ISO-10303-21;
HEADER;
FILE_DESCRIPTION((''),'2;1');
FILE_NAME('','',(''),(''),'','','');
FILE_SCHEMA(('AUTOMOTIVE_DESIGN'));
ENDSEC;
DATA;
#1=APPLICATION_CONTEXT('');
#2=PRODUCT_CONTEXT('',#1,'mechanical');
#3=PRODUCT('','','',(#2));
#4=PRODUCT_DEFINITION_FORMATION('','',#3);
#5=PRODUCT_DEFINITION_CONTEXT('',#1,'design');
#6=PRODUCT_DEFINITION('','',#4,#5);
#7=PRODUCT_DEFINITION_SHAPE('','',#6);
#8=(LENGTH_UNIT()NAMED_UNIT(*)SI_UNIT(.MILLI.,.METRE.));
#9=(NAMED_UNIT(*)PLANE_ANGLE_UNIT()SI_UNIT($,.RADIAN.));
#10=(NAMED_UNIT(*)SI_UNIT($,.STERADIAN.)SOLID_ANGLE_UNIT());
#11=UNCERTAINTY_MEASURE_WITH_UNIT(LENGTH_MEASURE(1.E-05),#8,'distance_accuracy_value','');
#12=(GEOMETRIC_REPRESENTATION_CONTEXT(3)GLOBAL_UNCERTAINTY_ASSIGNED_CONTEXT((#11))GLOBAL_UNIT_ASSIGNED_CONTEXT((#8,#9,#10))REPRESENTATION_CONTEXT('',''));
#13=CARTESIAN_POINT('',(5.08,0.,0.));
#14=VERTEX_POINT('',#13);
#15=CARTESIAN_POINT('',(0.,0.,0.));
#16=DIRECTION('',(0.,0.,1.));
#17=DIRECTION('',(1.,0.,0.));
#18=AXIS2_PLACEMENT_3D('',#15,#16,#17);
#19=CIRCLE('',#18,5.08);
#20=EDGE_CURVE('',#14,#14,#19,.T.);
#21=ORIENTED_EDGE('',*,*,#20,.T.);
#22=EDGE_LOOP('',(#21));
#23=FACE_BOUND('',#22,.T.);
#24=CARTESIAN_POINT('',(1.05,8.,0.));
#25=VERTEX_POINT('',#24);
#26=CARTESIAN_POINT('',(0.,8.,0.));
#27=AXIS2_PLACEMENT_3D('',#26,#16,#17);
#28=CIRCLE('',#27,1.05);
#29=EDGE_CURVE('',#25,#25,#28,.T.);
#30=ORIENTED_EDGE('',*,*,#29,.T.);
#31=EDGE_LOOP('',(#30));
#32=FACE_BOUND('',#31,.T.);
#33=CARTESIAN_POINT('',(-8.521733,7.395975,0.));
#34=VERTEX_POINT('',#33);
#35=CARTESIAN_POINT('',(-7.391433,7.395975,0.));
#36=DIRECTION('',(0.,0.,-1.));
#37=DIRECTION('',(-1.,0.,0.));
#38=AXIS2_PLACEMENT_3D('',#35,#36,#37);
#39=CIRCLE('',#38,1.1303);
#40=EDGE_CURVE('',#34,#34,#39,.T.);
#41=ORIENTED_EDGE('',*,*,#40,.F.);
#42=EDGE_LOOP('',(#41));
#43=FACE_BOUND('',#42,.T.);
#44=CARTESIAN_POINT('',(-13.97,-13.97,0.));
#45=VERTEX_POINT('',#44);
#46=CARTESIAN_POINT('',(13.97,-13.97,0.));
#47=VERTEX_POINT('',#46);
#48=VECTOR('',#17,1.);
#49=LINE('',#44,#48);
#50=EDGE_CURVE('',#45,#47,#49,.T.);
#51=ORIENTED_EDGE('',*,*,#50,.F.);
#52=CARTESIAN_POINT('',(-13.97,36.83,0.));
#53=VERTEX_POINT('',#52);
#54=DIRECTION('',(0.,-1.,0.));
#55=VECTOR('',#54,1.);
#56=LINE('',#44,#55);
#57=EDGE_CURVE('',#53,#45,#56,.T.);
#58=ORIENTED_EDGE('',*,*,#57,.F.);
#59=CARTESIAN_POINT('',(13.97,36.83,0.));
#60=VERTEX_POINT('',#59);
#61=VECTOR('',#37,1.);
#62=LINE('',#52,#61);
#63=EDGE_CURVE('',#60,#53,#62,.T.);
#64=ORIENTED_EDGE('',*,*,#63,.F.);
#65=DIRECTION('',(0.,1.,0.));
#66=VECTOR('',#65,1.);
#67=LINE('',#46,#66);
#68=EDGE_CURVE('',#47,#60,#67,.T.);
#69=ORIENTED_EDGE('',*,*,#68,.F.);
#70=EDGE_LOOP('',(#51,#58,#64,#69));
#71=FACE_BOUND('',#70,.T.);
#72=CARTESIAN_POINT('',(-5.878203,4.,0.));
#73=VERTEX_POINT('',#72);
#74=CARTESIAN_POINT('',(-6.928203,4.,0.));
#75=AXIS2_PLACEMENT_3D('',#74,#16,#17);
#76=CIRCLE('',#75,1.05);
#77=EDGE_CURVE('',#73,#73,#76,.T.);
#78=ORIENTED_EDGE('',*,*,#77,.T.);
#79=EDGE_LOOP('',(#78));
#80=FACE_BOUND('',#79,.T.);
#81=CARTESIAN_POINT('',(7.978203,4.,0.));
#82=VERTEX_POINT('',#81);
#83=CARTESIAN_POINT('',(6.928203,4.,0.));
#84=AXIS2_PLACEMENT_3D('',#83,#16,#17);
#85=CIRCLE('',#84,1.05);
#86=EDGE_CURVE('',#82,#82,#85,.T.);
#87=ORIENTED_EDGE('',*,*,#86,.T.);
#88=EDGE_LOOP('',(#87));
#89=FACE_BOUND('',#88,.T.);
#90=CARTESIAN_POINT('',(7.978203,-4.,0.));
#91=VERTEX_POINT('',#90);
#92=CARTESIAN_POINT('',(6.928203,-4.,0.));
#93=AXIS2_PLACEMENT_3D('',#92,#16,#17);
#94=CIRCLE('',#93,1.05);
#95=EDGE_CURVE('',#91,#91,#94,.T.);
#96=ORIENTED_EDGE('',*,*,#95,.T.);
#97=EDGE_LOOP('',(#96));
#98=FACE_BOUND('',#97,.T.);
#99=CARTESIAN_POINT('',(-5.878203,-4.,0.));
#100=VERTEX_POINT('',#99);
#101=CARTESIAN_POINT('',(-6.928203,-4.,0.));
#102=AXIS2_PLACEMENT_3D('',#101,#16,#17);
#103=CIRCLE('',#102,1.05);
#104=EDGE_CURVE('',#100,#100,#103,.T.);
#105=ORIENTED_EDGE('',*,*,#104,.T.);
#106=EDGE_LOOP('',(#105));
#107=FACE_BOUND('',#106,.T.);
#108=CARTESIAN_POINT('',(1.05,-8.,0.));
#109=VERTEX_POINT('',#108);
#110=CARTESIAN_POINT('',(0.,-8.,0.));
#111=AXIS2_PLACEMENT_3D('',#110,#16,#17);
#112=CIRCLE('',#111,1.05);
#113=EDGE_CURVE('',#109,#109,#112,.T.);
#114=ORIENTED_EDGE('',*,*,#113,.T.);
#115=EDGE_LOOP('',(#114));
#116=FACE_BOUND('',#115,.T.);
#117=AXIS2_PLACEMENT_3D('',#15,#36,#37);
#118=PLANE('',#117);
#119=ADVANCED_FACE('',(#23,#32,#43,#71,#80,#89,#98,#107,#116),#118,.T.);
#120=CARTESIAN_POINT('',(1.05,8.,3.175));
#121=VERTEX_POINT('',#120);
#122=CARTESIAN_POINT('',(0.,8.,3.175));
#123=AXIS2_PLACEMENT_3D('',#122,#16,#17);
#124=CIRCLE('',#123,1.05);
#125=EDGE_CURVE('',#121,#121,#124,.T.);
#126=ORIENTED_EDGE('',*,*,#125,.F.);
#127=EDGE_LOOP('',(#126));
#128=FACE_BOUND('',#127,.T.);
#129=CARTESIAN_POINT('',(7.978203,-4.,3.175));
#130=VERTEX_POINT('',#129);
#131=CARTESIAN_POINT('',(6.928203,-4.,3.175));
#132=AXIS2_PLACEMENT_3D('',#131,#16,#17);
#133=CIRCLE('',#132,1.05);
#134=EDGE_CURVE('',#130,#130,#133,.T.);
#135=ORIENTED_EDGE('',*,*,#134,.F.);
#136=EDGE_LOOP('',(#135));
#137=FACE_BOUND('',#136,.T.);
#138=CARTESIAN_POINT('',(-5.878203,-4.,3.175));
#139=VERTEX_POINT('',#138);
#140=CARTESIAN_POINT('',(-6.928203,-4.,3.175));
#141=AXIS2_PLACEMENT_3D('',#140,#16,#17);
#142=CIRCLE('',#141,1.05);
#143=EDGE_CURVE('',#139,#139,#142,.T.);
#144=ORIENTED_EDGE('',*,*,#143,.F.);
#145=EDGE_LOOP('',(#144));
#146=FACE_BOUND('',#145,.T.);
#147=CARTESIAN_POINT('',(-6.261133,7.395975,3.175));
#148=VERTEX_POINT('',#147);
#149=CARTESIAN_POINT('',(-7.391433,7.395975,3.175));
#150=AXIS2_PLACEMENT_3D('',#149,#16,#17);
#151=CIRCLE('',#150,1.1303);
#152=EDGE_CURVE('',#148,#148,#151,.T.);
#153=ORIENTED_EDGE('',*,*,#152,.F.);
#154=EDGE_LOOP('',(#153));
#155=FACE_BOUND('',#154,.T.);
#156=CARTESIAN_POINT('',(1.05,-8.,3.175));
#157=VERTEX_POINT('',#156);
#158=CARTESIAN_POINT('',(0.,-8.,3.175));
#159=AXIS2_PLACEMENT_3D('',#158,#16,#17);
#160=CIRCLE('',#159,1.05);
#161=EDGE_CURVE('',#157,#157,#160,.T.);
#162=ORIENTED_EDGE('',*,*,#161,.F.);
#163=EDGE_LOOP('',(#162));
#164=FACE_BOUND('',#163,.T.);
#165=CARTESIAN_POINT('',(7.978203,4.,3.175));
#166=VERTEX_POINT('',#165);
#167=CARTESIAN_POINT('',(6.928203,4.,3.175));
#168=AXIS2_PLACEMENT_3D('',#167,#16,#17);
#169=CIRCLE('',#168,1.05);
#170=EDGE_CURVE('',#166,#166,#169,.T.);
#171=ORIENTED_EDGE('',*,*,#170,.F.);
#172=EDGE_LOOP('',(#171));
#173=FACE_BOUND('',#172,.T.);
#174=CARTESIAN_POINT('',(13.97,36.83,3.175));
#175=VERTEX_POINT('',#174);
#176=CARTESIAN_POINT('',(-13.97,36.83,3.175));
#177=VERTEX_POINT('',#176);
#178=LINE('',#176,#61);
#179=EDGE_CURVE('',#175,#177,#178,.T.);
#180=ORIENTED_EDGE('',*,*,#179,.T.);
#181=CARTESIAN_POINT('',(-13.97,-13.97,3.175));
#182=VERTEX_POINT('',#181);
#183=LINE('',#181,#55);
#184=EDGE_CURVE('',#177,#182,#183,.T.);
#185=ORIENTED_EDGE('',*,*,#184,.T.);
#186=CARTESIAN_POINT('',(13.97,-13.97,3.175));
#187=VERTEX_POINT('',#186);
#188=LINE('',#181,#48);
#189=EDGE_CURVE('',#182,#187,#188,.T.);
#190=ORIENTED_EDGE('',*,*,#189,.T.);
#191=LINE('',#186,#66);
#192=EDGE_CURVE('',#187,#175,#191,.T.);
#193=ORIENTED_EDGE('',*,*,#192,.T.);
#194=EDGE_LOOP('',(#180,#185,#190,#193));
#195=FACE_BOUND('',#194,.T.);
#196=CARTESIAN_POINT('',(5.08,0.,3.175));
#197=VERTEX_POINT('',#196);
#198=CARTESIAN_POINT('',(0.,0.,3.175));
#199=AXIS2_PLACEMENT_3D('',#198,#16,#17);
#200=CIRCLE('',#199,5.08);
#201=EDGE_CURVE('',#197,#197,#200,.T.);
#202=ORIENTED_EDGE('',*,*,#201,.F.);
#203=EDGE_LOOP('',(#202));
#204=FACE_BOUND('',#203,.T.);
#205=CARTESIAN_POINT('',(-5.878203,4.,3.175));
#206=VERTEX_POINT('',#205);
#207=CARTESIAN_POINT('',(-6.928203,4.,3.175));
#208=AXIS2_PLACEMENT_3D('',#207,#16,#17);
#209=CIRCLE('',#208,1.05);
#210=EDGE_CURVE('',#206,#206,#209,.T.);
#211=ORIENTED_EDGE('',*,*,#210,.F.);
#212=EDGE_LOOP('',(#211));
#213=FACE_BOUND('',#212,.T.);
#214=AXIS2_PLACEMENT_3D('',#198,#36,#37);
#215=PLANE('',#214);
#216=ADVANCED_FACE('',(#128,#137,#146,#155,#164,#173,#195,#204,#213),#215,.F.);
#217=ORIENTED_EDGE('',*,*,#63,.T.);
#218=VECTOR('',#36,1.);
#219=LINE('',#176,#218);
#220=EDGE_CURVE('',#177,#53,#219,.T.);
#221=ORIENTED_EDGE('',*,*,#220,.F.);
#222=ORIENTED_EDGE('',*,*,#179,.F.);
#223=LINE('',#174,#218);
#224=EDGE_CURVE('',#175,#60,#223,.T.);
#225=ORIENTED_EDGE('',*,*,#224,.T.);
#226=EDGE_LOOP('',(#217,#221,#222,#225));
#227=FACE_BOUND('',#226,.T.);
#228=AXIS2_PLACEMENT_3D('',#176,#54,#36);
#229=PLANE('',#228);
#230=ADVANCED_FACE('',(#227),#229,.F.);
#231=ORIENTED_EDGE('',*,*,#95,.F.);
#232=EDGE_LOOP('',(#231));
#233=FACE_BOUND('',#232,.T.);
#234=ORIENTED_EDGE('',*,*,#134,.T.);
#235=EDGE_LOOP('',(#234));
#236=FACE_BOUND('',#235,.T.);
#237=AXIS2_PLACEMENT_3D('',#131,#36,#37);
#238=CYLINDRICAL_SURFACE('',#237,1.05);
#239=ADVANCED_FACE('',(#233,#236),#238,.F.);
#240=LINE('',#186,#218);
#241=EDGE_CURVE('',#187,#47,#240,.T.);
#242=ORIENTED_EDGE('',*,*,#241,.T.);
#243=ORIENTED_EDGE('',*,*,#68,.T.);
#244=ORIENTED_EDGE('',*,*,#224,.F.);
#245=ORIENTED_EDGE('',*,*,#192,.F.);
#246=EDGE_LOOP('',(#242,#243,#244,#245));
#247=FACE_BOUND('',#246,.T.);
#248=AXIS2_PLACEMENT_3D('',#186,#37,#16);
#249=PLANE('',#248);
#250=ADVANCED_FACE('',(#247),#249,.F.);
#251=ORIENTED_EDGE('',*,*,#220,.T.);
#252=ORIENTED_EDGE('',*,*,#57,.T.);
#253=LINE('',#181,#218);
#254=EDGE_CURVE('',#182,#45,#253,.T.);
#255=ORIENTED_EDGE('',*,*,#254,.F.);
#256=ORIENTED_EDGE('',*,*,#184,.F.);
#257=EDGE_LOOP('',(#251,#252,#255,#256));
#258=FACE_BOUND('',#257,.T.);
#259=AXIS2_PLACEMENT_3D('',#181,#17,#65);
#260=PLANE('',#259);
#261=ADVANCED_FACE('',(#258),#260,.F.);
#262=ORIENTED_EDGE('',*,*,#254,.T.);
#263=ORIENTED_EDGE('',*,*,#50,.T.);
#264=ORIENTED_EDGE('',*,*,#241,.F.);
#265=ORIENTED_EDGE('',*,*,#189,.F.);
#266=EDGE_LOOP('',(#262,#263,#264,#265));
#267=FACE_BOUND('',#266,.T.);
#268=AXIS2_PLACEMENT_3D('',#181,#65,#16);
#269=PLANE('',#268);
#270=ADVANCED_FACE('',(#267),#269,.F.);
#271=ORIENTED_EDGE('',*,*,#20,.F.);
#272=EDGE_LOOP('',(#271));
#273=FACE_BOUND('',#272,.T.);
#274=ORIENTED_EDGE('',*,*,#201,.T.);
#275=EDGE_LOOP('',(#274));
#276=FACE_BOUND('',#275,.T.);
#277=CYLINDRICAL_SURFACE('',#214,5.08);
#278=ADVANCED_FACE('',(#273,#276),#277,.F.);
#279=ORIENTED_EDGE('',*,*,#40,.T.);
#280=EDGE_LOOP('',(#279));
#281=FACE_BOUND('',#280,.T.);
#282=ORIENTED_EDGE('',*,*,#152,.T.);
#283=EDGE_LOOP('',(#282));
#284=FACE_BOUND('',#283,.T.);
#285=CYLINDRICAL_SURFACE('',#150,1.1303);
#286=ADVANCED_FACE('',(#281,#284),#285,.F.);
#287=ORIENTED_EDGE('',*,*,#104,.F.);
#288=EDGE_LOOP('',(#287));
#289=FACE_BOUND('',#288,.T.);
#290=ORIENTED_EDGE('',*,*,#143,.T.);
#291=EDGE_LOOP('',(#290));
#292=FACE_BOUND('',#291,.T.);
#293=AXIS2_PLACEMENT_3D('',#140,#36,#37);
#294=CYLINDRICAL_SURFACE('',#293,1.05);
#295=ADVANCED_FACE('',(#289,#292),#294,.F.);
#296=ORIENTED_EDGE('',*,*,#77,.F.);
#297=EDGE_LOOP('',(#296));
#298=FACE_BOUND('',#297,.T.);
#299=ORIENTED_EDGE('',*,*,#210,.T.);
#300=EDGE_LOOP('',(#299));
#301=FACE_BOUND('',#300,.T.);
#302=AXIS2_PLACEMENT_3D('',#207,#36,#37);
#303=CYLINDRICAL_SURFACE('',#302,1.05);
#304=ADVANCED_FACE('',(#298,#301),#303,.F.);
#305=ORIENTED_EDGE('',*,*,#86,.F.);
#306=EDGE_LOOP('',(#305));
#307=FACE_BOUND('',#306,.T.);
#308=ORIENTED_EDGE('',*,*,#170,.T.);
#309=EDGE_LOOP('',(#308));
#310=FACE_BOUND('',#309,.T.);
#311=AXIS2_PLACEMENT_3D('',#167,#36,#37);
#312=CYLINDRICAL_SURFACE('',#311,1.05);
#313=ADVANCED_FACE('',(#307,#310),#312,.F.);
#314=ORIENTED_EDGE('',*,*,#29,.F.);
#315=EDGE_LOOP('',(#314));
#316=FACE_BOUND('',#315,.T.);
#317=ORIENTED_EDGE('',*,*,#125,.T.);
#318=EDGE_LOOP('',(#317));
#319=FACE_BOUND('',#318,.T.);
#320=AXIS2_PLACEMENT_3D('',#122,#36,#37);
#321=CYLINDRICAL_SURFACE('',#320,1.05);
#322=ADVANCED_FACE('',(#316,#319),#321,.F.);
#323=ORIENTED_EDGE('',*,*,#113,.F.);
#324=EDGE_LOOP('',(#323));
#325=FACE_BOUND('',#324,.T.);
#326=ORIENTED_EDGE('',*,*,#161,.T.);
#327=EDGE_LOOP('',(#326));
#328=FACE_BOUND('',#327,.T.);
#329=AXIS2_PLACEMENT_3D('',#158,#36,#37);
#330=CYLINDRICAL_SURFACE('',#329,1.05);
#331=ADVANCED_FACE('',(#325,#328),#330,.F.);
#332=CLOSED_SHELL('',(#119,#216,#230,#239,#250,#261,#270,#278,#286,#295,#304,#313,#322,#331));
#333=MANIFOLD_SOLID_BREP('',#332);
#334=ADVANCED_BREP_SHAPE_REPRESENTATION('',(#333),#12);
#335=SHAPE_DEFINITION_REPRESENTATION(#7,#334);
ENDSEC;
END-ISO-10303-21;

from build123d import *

# Parameters (mm, degrees)
MODEL_W                         = 27.94
MODEL_H                         = 50.8
MODEL_R                         = 1.05
MODEL_R_2                       = 5.08
BOSS_EXTRUDE1_DEPTH             = 3.175
F_43_0_089_DIAMETER_HOLE1_D     = 2.2606
F_43_0_089_DIAMETER_HOLE1_DEPTH = 25.4
F_43_0_089_DIAMETER_HOLE1_TIP   = 0.679152758


with BuildPart() as part:
    # Model → Boss-Extrude1 (new body)
    with BuildSketch(Plane.XY):
        with Locations((0, 11.43)):
            Rectangle(MODEL_W, MODEL_H)
        with Locations((-6.92820323, 4.000000001)):
            Circle(MODEL_R, mode=Mode.SUBTRACT)
        with Locations((-6.92820323, -4.000000001)):
            Circle(MODEL_R, mode=Mode.SUBTRACT)
        with Locations((0, -7.999999999)):
            Circle(MODEL_R, mode=Mode.SUBTRACT)
        with Locations((6.92820323, -4.000000001)):
            Circle(MODEL_R, mode=Mode.SUBTRACT)
        with Locations((6.92820323, 4.000000001)):
            Circle(MODEL_R, mode=Mode.SUBTRACT)
        with Locations((0, 7.999999999)):
            Circle(MODEL_R, mode=Mode.SUBTRACT)
        Circle(MODEL_R_2, mode=Mode.SUBTRACT)
    extrude(amount=BOSS_EXTRUDE1_DEPTH)

    # #43 (0.089) Diameter Hole1
    with Locations(Plane.XY.offset(3.175)):
        with Locations((-7.39143302, 7.395974597)):
            Hole(F_43_0_089_DIAMETER_HOLE1_D / 2, depth=F_43_0_089_DIAMETER_HOLE1_DEPTH)
            with Locations((0, 0, -(F_43_0_089_DIAMETER_HOLE1_DEPTH + F_43_0_089_DIAMETER_HOLE1_TIP / 2))):  # 118° drill point
                Cone(0, F_43_0_089_DIAMETER_HOLE1_D / 2, F_43_0_089_DIAMETER_HOLE1_TIP, mode=Mode.SUBTRACT)


solid = part.part
